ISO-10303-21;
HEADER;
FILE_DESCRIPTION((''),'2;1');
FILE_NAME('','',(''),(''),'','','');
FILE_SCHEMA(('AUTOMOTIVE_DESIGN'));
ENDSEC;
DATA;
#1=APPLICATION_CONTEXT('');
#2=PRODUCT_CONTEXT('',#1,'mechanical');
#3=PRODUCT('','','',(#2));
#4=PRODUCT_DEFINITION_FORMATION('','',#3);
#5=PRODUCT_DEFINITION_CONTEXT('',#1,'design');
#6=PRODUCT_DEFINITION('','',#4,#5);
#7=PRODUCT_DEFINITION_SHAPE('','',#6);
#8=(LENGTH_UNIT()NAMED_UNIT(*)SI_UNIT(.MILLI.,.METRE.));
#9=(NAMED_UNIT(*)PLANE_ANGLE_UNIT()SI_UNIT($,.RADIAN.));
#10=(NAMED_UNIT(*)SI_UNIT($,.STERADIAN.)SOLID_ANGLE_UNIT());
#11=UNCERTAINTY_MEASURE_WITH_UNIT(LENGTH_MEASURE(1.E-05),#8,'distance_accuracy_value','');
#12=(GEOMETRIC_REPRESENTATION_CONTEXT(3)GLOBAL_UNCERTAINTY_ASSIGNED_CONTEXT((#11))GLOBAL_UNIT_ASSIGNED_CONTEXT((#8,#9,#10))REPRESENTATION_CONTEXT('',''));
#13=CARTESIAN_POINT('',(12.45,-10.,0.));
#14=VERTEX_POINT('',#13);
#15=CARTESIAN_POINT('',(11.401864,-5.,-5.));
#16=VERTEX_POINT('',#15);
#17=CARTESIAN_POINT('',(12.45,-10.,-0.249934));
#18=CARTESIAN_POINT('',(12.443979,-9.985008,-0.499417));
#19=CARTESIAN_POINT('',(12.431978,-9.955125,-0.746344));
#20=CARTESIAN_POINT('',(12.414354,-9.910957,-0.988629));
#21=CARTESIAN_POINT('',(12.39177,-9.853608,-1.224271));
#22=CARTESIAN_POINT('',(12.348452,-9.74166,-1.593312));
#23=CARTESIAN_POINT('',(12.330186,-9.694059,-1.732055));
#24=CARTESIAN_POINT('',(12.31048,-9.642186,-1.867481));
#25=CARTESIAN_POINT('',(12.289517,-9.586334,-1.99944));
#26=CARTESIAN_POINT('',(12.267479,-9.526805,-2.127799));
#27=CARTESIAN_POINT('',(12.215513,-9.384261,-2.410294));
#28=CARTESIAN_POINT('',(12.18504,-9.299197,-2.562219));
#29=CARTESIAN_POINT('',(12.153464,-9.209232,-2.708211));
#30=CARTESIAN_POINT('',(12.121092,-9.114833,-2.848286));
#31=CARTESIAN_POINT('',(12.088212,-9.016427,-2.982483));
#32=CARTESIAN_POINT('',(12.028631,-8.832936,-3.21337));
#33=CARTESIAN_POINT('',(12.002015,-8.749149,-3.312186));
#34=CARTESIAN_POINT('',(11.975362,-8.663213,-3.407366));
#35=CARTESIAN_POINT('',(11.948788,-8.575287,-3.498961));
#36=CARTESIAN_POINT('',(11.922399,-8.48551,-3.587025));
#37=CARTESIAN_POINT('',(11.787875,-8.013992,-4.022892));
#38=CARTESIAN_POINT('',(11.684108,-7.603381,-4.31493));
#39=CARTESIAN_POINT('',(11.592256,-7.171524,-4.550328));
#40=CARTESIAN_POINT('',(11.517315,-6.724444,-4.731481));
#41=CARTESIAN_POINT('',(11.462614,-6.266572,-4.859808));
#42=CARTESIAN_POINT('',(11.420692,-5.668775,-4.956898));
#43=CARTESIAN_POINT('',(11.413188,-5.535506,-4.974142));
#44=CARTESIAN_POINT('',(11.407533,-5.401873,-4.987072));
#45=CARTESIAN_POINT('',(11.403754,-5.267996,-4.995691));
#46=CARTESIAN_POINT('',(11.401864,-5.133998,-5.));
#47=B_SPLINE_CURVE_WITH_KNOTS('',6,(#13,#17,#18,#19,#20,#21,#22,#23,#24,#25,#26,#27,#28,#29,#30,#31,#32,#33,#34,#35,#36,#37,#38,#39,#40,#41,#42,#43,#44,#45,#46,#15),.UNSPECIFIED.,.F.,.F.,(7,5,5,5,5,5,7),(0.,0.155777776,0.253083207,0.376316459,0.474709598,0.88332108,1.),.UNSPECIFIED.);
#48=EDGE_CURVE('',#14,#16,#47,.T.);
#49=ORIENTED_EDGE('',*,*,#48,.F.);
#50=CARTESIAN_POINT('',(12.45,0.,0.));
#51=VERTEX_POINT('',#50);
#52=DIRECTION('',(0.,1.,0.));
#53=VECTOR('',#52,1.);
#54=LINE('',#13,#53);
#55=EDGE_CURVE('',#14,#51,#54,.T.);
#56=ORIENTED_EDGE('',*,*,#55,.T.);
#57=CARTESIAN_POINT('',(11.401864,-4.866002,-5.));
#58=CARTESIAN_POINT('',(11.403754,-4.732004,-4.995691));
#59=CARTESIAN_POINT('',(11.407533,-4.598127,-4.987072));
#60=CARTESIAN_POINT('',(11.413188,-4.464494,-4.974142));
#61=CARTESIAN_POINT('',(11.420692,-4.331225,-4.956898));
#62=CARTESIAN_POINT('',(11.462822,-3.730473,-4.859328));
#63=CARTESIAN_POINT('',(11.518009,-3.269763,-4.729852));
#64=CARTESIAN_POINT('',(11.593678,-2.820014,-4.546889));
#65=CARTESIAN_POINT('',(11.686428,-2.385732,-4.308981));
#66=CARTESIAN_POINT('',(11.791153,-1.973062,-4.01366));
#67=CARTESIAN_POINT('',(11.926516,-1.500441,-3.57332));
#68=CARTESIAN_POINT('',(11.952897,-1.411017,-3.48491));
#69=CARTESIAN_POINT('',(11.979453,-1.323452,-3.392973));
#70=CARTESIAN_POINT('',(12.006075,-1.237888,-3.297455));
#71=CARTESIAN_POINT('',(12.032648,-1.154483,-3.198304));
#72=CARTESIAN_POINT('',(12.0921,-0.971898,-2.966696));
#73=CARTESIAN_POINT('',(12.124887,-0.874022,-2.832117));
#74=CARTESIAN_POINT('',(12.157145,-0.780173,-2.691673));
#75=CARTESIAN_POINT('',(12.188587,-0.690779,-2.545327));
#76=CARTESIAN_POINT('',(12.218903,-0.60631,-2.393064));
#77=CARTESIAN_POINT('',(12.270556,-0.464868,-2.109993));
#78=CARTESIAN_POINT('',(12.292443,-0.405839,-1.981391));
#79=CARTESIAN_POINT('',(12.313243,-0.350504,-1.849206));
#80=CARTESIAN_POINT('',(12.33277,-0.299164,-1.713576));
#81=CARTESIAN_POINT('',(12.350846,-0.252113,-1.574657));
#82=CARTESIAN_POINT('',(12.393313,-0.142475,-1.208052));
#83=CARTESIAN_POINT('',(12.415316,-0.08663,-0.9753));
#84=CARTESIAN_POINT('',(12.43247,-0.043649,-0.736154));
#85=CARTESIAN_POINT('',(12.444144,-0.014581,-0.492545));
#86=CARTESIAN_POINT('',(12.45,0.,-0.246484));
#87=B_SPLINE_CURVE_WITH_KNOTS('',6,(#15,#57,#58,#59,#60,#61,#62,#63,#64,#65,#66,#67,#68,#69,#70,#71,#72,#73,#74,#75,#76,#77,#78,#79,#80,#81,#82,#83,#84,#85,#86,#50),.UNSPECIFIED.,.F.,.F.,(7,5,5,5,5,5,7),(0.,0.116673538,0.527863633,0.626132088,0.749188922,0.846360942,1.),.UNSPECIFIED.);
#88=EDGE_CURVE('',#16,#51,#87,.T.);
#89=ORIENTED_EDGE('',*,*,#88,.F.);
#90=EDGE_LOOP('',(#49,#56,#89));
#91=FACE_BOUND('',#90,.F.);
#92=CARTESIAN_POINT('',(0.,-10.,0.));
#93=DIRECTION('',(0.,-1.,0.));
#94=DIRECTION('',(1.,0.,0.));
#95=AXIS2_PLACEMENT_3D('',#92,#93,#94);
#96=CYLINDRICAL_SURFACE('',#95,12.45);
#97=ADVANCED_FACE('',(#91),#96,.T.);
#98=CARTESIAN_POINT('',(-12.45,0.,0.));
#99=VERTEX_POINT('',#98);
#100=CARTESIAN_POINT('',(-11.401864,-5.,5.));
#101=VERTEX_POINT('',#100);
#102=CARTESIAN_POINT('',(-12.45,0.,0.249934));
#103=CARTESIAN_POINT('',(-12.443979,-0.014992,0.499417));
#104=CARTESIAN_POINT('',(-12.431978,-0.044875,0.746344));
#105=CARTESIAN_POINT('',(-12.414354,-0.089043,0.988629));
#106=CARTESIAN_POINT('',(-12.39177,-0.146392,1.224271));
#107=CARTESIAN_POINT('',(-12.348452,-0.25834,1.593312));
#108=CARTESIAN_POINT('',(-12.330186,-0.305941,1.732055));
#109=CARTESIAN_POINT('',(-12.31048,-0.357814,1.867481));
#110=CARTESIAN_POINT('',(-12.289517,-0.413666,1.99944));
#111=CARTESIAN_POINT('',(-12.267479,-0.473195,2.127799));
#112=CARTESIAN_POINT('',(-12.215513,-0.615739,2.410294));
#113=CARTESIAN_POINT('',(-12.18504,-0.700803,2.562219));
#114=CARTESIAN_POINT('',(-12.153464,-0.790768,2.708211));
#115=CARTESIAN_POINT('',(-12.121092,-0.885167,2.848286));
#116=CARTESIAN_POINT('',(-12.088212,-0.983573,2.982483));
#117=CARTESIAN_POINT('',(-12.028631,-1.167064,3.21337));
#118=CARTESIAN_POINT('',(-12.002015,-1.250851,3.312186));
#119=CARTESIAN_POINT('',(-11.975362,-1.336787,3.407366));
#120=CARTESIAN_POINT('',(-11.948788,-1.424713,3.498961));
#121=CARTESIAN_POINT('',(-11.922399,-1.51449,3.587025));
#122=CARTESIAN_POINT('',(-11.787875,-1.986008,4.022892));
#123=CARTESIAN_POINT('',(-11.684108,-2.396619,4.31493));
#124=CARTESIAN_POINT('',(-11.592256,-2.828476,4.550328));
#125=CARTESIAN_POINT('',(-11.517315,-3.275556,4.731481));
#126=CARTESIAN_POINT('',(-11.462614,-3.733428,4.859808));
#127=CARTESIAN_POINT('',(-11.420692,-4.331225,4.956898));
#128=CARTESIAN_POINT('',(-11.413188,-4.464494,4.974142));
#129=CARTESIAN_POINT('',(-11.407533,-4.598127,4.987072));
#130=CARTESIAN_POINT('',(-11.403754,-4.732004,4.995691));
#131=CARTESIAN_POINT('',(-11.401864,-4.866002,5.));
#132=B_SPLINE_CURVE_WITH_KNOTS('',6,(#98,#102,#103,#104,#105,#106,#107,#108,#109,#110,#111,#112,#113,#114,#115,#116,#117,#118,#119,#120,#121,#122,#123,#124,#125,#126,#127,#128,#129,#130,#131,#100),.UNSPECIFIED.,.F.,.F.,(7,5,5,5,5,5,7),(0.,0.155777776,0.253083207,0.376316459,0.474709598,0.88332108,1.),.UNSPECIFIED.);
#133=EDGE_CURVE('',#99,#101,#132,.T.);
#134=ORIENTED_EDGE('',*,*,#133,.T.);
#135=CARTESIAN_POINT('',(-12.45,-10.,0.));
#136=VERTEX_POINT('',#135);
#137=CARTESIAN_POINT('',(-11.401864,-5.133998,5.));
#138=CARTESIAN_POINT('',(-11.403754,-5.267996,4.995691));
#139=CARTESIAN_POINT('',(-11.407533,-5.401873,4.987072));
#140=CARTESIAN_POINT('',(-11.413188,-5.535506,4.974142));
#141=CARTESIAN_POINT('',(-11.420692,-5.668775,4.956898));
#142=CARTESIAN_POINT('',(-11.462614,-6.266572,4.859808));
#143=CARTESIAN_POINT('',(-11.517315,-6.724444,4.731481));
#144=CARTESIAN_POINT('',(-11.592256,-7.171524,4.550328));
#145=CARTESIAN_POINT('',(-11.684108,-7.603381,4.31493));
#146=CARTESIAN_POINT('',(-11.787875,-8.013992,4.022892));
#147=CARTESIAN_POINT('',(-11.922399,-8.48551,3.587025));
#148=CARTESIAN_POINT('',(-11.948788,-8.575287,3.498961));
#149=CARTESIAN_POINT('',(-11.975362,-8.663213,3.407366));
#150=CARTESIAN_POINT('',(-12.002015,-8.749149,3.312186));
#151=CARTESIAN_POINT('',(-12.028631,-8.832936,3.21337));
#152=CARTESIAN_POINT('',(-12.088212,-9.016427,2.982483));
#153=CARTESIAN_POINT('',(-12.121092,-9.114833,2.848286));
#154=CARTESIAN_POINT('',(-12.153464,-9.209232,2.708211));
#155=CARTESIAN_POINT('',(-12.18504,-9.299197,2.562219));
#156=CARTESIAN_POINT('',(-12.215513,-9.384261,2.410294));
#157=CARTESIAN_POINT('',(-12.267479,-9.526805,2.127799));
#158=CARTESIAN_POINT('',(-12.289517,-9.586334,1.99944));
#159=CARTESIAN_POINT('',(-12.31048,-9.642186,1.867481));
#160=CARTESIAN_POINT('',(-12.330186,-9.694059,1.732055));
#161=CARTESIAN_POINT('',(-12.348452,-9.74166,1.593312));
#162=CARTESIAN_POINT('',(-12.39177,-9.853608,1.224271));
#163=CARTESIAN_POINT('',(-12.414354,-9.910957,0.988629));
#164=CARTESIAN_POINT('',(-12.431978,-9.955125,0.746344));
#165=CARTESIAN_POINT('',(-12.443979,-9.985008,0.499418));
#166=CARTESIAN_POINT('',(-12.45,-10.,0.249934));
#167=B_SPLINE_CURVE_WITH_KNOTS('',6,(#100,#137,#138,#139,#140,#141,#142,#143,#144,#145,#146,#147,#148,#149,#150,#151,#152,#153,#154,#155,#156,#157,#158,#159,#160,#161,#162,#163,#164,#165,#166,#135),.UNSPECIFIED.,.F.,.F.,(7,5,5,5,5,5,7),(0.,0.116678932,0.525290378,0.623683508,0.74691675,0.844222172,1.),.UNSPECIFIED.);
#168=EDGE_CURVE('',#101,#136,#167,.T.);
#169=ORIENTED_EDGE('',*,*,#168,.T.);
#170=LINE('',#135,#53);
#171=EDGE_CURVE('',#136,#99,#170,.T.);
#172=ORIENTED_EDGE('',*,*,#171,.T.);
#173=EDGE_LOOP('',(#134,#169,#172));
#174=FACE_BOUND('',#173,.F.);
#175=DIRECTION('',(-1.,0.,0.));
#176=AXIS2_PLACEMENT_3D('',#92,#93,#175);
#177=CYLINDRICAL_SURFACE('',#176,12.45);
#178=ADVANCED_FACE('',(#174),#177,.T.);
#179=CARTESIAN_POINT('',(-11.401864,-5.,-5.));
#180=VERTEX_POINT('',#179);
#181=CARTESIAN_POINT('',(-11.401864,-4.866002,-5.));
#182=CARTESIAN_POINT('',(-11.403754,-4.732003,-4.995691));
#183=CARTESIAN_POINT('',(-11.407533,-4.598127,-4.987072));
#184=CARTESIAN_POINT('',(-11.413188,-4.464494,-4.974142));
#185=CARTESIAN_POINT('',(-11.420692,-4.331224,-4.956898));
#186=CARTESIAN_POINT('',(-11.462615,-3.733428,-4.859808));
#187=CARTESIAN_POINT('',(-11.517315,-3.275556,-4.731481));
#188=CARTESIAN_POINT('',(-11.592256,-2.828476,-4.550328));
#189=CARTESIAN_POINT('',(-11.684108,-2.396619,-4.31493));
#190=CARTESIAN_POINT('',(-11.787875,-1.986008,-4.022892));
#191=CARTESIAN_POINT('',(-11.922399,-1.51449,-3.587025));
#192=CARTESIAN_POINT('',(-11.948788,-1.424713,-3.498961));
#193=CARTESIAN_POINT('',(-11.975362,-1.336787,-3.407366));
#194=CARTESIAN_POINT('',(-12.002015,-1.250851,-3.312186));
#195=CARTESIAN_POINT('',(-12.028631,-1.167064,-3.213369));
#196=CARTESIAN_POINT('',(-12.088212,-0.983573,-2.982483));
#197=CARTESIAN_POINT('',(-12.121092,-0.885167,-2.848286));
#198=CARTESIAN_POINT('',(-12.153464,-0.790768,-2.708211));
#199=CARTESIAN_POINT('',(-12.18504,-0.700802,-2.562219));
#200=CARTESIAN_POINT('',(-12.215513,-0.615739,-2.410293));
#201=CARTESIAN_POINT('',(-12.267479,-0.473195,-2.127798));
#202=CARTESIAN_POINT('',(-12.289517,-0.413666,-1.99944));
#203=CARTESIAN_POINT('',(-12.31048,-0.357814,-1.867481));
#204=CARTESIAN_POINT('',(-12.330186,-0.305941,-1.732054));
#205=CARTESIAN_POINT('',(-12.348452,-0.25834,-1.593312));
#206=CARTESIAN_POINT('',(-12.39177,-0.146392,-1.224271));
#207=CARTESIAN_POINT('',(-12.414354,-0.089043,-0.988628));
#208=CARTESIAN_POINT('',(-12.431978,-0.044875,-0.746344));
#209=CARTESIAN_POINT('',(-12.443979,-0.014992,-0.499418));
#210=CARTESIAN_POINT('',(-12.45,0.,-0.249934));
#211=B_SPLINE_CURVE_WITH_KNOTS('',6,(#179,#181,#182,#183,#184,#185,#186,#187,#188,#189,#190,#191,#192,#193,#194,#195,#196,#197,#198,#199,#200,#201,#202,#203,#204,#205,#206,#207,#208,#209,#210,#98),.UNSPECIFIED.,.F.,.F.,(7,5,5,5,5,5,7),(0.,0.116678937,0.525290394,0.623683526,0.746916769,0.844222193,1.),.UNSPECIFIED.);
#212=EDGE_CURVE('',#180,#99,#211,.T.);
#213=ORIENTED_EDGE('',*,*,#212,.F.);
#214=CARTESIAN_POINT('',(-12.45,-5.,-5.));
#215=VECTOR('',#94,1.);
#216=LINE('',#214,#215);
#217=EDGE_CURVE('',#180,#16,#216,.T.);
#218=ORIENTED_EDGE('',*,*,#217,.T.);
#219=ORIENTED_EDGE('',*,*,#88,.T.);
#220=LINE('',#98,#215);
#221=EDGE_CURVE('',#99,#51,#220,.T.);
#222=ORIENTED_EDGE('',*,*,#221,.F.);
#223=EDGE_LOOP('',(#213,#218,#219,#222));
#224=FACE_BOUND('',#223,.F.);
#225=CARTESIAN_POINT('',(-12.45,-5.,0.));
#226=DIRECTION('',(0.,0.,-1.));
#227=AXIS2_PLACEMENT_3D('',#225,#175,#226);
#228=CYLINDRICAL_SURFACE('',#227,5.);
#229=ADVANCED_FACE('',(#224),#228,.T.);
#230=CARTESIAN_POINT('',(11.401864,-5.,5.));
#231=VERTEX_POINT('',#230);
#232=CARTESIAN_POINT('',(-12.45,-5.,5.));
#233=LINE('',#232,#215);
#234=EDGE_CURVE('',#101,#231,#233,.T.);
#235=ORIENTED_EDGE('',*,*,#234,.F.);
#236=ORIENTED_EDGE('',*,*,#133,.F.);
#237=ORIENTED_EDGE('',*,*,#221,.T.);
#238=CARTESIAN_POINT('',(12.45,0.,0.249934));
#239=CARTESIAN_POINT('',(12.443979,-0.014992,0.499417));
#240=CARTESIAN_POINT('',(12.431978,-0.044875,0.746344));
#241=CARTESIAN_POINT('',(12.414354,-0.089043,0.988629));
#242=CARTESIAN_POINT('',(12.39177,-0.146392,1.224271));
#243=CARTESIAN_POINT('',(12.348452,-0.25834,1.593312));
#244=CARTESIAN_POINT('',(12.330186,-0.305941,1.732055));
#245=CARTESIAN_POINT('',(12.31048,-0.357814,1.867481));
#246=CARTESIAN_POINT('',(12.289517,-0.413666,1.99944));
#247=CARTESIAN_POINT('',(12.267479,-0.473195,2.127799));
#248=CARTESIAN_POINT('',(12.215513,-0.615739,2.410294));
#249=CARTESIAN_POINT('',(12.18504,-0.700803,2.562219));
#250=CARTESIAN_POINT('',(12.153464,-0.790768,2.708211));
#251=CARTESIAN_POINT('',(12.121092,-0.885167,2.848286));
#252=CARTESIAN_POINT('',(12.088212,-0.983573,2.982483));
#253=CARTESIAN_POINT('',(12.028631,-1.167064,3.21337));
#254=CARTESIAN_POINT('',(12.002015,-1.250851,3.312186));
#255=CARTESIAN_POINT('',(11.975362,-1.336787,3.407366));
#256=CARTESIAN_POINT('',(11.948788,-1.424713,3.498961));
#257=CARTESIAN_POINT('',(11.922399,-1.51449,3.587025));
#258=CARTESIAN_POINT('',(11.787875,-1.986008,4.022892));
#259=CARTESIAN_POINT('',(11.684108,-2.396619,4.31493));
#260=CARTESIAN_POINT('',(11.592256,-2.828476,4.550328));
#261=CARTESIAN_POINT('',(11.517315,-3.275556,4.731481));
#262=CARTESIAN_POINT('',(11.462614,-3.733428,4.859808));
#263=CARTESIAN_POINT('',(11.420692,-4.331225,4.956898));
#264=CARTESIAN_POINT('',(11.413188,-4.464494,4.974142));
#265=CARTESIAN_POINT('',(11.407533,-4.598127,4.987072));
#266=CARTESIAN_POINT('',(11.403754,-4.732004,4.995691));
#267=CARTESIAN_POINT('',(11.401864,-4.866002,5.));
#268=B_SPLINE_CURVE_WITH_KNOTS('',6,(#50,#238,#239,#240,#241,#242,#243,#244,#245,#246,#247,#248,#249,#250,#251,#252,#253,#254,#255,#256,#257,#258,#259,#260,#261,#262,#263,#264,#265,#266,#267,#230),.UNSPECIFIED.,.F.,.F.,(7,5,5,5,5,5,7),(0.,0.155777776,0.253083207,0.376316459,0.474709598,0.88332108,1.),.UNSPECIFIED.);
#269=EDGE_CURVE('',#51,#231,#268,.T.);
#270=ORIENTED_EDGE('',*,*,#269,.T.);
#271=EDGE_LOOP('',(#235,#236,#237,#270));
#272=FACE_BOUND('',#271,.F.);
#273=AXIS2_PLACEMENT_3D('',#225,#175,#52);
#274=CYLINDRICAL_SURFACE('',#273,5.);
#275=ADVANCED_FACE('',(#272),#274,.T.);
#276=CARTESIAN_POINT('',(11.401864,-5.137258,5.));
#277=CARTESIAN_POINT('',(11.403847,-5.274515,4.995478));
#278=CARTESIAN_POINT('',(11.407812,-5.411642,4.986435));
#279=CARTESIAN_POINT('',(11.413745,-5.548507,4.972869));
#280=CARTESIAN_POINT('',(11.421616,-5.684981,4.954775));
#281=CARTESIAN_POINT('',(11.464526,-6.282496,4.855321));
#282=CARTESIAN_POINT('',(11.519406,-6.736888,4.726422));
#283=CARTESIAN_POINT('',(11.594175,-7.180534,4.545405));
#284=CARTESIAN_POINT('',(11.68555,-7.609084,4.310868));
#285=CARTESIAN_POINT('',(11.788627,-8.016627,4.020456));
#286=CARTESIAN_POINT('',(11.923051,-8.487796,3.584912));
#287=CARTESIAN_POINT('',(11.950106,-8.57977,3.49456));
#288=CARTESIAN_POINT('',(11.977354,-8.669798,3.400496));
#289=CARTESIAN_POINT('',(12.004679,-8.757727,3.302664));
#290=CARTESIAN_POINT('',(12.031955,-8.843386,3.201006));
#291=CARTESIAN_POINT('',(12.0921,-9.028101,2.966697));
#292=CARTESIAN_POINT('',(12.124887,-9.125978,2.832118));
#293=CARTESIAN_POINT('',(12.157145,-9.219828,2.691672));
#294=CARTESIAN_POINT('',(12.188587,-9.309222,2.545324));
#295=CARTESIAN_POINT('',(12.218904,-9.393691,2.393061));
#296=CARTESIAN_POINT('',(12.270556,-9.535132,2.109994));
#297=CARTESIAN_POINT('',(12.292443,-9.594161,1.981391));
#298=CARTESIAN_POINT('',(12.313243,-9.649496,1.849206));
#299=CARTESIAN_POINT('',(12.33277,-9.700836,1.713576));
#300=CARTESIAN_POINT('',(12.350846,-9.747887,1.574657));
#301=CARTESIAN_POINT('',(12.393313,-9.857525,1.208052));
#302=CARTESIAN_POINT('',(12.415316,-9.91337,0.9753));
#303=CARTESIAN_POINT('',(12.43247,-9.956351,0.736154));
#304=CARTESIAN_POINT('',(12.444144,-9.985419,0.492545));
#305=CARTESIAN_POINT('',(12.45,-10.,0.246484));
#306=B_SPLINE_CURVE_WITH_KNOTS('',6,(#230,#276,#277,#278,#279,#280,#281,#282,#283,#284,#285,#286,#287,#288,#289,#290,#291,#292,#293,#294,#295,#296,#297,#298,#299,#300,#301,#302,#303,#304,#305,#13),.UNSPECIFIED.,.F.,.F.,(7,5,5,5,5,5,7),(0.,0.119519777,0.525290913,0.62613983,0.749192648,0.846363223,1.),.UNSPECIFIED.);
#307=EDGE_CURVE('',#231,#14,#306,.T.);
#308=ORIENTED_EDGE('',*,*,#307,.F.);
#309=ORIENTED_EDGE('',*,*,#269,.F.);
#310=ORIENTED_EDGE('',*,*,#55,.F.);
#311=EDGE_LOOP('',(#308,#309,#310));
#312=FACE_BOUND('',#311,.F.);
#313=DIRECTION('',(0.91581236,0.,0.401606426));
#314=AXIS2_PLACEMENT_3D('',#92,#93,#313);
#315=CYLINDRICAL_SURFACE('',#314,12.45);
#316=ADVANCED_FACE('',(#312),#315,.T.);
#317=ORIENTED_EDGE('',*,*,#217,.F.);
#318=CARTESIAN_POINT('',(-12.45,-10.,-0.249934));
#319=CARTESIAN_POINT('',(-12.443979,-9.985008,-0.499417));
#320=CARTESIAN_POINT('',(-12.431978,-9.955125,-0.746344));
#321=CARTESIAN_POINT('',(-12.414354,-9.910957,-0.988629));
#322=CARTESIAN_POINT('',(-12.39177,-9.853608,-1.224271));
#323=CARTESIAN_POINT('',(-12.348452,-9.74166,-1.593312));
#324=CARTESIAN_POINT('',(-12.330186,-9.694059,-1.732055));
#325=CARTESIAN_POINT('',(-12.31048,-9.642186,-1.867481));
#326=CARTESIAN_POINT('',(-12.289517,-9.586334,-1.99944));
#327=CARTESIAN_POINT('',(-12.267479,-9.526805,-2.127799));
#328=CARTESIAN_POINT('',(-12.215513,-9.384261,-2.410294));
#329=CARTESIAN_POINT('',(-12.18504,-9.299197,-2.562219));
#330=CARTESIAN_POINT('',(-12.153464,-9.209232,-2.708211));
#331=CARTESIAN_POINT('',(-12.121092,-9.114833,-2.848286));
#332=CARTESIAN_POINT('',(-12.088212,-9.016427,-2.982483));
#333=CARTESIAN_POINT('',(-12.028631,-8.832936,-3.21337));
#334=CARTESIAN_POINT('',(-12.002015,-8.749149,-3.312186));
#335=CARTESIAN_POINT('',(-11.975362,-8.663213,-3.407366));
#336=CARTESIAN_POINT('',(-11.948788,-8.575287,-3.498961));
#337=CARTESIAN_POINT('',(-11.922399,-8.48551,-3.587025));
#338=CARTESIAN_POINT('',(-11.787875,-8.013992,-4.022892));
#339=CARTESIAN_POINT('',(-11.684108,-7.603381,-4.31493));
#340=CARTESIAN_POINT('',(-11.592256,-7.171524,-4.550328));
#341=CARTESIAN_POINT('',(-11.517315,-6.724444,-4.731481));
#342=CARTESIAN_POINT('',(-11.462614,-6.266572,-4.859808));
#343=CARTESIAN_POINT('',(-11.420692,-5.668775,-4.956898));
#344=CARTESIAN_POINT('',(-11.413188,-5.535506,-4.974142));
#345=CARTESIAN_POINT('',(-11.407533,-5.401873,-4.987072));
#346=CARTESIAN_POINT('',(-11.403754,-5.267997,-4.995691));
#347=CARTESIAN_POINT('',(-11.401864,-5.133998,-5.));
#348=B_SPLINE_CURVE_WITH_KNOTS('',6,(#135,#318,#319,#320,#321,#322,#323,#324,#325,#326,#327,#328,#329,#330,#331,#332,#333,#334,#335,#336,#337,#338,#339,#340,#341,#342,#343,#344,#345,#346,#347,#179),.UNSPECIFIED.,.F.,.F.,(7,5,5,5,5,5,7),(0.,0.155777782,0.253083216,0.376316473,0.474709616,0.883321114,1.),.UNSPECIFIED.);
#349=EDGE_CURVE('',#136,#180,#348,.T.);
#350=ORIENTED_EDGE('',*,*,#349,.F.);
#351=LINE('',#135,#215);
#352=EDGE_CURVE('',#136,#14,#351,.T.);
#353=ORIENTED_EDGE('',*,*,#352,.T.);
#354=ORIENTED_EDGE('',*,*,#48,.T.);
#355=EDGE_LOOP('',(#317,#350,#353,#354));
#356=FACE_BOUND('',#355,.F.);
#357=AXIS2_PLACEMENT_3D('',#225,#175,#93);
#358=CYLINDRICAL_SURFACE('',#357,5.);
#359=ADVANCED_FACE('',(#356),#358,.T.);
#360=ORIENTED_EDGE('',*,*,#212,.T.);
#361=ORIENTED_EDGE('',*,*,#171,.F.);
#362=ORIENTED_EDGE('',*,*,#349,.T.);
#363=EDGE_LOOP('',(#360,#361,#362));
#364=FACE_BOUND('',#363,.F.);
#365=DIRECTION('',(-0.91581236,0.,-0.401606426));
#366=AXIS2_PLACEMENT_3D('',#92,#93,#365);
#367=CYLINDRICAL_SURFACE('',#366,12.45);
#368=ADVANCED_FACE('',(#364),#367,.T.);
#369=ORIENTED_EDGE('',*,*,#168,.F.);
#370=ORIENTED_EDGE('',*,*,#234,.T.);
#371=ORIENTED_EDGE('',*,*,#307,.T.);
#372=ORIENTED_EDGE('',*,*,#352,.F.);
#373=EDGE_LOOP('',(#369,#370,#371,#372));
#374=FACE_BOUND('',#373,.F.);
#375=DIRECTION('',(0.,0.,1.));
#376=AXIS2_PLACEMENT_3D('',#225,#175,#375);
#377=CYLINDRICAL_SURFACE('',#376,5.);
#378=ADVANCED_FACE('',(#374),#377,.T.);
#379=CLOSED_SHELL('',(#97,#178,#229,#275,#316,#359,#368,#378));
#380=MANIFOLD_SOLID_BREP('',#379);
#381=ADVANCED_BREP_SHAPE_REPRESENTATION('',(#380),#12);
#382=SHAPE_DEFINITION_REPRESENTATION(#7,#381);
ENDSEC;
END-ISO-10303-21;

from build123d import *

# Parameters (mm, degrees)
F0_W     = 24.9
F0_H     = 10
F1_DEPTH = 10
F4_DEPTH = 24.901
F5_DEPTH = 10.001


with BuildPart() as f1:
    # F0 (on Front) → F1 (new body)
    with BuildSketch(Plane.XZ):
        Rectangle(F0_W, F0_H)
    extrude(amount=F1_DEPTH)

    # F3 (on face) → F4 (cut, through all)
    with BuildSketch(Plane(origin=(-12.45, 0, 0), x_dir=(0, -1, 0), z_dir=(-1, 0, 0))):
        with BuildLine():
            ThreePointArc((0, 0), (1.4644660941, 3.5355339059), (5, 5))
            Line((5, 5), (0, 5))
            Line((0, 5), (0, 0))
        make_face()
        with BuildLine():
            ThreePointArc((5, 5), (8.5355339059, 3.5355339059), (10, 0))
            Line((10, 0), (10, 5))
            Line((10, 5), (5, 5))
        make_face()
        with BuildLine():
            Line((0, -5), (5, -5))
            ThreePointArc((5, -5), (1.4644660941, -3.5355339059), (0, 0))
            Line((0, 0), (0, -5))
        make_face()
        with BuildLine():
            Line((10, -5), (10, 0))
            ThreePointArc((10, 0), (8.5355339059, -3.5355339059), (5, -5))
            Line((5, -5), (10, -5))
        make_face()
    extrude(amount=-F4_DEPTH, mode=Mode.SUBTRACT)

    # F2 (on face) → F5 (cut, through all)
    with BuildSketch(Plane.XZ.offset(10)):
        with BuildLine():
            ThreePointArc((-12.45, 0), (-12.1851488571, 2.5543389223), (-11.4018638827, 5))
            Line((-11.4018638827, 5), (-12.45, 5))
            Line((-12.45, 5), (-12.45, 0))
        make_face()
        with BuildLine():
            Line((-12.45, -5), (-11.4018638827, -5))
            ThreePointArc((-11.4018638827, -5), (-12.1851488571, -2.5543389223), (-12.45, 0))
            Line((-12.45, 0), (-12.45, -5))
        make_face()
        with BuildLine():
            ThreePointArc((11.4018638827, 5), (12.1851488571, 2.5543389223), (12.45, 0))
            Line((12.45, 0), (12.45, 5))
            Line((12.45, 5), (11.4018638827, 5))
        make_face()
        with BuildLine():
            Line((12.45, -5), (12.45, 0))
            ThreePointArc((12.45, 0), (12.1851488571, -2.5543389223), (11.4018638827, -5))
            Line((11.4018638827, -5), (12.45, -5))
        make_face()
    extrude(amount=-F5_DEPTH, mode=Mode.SUBTRACT)


solid = f1.part
